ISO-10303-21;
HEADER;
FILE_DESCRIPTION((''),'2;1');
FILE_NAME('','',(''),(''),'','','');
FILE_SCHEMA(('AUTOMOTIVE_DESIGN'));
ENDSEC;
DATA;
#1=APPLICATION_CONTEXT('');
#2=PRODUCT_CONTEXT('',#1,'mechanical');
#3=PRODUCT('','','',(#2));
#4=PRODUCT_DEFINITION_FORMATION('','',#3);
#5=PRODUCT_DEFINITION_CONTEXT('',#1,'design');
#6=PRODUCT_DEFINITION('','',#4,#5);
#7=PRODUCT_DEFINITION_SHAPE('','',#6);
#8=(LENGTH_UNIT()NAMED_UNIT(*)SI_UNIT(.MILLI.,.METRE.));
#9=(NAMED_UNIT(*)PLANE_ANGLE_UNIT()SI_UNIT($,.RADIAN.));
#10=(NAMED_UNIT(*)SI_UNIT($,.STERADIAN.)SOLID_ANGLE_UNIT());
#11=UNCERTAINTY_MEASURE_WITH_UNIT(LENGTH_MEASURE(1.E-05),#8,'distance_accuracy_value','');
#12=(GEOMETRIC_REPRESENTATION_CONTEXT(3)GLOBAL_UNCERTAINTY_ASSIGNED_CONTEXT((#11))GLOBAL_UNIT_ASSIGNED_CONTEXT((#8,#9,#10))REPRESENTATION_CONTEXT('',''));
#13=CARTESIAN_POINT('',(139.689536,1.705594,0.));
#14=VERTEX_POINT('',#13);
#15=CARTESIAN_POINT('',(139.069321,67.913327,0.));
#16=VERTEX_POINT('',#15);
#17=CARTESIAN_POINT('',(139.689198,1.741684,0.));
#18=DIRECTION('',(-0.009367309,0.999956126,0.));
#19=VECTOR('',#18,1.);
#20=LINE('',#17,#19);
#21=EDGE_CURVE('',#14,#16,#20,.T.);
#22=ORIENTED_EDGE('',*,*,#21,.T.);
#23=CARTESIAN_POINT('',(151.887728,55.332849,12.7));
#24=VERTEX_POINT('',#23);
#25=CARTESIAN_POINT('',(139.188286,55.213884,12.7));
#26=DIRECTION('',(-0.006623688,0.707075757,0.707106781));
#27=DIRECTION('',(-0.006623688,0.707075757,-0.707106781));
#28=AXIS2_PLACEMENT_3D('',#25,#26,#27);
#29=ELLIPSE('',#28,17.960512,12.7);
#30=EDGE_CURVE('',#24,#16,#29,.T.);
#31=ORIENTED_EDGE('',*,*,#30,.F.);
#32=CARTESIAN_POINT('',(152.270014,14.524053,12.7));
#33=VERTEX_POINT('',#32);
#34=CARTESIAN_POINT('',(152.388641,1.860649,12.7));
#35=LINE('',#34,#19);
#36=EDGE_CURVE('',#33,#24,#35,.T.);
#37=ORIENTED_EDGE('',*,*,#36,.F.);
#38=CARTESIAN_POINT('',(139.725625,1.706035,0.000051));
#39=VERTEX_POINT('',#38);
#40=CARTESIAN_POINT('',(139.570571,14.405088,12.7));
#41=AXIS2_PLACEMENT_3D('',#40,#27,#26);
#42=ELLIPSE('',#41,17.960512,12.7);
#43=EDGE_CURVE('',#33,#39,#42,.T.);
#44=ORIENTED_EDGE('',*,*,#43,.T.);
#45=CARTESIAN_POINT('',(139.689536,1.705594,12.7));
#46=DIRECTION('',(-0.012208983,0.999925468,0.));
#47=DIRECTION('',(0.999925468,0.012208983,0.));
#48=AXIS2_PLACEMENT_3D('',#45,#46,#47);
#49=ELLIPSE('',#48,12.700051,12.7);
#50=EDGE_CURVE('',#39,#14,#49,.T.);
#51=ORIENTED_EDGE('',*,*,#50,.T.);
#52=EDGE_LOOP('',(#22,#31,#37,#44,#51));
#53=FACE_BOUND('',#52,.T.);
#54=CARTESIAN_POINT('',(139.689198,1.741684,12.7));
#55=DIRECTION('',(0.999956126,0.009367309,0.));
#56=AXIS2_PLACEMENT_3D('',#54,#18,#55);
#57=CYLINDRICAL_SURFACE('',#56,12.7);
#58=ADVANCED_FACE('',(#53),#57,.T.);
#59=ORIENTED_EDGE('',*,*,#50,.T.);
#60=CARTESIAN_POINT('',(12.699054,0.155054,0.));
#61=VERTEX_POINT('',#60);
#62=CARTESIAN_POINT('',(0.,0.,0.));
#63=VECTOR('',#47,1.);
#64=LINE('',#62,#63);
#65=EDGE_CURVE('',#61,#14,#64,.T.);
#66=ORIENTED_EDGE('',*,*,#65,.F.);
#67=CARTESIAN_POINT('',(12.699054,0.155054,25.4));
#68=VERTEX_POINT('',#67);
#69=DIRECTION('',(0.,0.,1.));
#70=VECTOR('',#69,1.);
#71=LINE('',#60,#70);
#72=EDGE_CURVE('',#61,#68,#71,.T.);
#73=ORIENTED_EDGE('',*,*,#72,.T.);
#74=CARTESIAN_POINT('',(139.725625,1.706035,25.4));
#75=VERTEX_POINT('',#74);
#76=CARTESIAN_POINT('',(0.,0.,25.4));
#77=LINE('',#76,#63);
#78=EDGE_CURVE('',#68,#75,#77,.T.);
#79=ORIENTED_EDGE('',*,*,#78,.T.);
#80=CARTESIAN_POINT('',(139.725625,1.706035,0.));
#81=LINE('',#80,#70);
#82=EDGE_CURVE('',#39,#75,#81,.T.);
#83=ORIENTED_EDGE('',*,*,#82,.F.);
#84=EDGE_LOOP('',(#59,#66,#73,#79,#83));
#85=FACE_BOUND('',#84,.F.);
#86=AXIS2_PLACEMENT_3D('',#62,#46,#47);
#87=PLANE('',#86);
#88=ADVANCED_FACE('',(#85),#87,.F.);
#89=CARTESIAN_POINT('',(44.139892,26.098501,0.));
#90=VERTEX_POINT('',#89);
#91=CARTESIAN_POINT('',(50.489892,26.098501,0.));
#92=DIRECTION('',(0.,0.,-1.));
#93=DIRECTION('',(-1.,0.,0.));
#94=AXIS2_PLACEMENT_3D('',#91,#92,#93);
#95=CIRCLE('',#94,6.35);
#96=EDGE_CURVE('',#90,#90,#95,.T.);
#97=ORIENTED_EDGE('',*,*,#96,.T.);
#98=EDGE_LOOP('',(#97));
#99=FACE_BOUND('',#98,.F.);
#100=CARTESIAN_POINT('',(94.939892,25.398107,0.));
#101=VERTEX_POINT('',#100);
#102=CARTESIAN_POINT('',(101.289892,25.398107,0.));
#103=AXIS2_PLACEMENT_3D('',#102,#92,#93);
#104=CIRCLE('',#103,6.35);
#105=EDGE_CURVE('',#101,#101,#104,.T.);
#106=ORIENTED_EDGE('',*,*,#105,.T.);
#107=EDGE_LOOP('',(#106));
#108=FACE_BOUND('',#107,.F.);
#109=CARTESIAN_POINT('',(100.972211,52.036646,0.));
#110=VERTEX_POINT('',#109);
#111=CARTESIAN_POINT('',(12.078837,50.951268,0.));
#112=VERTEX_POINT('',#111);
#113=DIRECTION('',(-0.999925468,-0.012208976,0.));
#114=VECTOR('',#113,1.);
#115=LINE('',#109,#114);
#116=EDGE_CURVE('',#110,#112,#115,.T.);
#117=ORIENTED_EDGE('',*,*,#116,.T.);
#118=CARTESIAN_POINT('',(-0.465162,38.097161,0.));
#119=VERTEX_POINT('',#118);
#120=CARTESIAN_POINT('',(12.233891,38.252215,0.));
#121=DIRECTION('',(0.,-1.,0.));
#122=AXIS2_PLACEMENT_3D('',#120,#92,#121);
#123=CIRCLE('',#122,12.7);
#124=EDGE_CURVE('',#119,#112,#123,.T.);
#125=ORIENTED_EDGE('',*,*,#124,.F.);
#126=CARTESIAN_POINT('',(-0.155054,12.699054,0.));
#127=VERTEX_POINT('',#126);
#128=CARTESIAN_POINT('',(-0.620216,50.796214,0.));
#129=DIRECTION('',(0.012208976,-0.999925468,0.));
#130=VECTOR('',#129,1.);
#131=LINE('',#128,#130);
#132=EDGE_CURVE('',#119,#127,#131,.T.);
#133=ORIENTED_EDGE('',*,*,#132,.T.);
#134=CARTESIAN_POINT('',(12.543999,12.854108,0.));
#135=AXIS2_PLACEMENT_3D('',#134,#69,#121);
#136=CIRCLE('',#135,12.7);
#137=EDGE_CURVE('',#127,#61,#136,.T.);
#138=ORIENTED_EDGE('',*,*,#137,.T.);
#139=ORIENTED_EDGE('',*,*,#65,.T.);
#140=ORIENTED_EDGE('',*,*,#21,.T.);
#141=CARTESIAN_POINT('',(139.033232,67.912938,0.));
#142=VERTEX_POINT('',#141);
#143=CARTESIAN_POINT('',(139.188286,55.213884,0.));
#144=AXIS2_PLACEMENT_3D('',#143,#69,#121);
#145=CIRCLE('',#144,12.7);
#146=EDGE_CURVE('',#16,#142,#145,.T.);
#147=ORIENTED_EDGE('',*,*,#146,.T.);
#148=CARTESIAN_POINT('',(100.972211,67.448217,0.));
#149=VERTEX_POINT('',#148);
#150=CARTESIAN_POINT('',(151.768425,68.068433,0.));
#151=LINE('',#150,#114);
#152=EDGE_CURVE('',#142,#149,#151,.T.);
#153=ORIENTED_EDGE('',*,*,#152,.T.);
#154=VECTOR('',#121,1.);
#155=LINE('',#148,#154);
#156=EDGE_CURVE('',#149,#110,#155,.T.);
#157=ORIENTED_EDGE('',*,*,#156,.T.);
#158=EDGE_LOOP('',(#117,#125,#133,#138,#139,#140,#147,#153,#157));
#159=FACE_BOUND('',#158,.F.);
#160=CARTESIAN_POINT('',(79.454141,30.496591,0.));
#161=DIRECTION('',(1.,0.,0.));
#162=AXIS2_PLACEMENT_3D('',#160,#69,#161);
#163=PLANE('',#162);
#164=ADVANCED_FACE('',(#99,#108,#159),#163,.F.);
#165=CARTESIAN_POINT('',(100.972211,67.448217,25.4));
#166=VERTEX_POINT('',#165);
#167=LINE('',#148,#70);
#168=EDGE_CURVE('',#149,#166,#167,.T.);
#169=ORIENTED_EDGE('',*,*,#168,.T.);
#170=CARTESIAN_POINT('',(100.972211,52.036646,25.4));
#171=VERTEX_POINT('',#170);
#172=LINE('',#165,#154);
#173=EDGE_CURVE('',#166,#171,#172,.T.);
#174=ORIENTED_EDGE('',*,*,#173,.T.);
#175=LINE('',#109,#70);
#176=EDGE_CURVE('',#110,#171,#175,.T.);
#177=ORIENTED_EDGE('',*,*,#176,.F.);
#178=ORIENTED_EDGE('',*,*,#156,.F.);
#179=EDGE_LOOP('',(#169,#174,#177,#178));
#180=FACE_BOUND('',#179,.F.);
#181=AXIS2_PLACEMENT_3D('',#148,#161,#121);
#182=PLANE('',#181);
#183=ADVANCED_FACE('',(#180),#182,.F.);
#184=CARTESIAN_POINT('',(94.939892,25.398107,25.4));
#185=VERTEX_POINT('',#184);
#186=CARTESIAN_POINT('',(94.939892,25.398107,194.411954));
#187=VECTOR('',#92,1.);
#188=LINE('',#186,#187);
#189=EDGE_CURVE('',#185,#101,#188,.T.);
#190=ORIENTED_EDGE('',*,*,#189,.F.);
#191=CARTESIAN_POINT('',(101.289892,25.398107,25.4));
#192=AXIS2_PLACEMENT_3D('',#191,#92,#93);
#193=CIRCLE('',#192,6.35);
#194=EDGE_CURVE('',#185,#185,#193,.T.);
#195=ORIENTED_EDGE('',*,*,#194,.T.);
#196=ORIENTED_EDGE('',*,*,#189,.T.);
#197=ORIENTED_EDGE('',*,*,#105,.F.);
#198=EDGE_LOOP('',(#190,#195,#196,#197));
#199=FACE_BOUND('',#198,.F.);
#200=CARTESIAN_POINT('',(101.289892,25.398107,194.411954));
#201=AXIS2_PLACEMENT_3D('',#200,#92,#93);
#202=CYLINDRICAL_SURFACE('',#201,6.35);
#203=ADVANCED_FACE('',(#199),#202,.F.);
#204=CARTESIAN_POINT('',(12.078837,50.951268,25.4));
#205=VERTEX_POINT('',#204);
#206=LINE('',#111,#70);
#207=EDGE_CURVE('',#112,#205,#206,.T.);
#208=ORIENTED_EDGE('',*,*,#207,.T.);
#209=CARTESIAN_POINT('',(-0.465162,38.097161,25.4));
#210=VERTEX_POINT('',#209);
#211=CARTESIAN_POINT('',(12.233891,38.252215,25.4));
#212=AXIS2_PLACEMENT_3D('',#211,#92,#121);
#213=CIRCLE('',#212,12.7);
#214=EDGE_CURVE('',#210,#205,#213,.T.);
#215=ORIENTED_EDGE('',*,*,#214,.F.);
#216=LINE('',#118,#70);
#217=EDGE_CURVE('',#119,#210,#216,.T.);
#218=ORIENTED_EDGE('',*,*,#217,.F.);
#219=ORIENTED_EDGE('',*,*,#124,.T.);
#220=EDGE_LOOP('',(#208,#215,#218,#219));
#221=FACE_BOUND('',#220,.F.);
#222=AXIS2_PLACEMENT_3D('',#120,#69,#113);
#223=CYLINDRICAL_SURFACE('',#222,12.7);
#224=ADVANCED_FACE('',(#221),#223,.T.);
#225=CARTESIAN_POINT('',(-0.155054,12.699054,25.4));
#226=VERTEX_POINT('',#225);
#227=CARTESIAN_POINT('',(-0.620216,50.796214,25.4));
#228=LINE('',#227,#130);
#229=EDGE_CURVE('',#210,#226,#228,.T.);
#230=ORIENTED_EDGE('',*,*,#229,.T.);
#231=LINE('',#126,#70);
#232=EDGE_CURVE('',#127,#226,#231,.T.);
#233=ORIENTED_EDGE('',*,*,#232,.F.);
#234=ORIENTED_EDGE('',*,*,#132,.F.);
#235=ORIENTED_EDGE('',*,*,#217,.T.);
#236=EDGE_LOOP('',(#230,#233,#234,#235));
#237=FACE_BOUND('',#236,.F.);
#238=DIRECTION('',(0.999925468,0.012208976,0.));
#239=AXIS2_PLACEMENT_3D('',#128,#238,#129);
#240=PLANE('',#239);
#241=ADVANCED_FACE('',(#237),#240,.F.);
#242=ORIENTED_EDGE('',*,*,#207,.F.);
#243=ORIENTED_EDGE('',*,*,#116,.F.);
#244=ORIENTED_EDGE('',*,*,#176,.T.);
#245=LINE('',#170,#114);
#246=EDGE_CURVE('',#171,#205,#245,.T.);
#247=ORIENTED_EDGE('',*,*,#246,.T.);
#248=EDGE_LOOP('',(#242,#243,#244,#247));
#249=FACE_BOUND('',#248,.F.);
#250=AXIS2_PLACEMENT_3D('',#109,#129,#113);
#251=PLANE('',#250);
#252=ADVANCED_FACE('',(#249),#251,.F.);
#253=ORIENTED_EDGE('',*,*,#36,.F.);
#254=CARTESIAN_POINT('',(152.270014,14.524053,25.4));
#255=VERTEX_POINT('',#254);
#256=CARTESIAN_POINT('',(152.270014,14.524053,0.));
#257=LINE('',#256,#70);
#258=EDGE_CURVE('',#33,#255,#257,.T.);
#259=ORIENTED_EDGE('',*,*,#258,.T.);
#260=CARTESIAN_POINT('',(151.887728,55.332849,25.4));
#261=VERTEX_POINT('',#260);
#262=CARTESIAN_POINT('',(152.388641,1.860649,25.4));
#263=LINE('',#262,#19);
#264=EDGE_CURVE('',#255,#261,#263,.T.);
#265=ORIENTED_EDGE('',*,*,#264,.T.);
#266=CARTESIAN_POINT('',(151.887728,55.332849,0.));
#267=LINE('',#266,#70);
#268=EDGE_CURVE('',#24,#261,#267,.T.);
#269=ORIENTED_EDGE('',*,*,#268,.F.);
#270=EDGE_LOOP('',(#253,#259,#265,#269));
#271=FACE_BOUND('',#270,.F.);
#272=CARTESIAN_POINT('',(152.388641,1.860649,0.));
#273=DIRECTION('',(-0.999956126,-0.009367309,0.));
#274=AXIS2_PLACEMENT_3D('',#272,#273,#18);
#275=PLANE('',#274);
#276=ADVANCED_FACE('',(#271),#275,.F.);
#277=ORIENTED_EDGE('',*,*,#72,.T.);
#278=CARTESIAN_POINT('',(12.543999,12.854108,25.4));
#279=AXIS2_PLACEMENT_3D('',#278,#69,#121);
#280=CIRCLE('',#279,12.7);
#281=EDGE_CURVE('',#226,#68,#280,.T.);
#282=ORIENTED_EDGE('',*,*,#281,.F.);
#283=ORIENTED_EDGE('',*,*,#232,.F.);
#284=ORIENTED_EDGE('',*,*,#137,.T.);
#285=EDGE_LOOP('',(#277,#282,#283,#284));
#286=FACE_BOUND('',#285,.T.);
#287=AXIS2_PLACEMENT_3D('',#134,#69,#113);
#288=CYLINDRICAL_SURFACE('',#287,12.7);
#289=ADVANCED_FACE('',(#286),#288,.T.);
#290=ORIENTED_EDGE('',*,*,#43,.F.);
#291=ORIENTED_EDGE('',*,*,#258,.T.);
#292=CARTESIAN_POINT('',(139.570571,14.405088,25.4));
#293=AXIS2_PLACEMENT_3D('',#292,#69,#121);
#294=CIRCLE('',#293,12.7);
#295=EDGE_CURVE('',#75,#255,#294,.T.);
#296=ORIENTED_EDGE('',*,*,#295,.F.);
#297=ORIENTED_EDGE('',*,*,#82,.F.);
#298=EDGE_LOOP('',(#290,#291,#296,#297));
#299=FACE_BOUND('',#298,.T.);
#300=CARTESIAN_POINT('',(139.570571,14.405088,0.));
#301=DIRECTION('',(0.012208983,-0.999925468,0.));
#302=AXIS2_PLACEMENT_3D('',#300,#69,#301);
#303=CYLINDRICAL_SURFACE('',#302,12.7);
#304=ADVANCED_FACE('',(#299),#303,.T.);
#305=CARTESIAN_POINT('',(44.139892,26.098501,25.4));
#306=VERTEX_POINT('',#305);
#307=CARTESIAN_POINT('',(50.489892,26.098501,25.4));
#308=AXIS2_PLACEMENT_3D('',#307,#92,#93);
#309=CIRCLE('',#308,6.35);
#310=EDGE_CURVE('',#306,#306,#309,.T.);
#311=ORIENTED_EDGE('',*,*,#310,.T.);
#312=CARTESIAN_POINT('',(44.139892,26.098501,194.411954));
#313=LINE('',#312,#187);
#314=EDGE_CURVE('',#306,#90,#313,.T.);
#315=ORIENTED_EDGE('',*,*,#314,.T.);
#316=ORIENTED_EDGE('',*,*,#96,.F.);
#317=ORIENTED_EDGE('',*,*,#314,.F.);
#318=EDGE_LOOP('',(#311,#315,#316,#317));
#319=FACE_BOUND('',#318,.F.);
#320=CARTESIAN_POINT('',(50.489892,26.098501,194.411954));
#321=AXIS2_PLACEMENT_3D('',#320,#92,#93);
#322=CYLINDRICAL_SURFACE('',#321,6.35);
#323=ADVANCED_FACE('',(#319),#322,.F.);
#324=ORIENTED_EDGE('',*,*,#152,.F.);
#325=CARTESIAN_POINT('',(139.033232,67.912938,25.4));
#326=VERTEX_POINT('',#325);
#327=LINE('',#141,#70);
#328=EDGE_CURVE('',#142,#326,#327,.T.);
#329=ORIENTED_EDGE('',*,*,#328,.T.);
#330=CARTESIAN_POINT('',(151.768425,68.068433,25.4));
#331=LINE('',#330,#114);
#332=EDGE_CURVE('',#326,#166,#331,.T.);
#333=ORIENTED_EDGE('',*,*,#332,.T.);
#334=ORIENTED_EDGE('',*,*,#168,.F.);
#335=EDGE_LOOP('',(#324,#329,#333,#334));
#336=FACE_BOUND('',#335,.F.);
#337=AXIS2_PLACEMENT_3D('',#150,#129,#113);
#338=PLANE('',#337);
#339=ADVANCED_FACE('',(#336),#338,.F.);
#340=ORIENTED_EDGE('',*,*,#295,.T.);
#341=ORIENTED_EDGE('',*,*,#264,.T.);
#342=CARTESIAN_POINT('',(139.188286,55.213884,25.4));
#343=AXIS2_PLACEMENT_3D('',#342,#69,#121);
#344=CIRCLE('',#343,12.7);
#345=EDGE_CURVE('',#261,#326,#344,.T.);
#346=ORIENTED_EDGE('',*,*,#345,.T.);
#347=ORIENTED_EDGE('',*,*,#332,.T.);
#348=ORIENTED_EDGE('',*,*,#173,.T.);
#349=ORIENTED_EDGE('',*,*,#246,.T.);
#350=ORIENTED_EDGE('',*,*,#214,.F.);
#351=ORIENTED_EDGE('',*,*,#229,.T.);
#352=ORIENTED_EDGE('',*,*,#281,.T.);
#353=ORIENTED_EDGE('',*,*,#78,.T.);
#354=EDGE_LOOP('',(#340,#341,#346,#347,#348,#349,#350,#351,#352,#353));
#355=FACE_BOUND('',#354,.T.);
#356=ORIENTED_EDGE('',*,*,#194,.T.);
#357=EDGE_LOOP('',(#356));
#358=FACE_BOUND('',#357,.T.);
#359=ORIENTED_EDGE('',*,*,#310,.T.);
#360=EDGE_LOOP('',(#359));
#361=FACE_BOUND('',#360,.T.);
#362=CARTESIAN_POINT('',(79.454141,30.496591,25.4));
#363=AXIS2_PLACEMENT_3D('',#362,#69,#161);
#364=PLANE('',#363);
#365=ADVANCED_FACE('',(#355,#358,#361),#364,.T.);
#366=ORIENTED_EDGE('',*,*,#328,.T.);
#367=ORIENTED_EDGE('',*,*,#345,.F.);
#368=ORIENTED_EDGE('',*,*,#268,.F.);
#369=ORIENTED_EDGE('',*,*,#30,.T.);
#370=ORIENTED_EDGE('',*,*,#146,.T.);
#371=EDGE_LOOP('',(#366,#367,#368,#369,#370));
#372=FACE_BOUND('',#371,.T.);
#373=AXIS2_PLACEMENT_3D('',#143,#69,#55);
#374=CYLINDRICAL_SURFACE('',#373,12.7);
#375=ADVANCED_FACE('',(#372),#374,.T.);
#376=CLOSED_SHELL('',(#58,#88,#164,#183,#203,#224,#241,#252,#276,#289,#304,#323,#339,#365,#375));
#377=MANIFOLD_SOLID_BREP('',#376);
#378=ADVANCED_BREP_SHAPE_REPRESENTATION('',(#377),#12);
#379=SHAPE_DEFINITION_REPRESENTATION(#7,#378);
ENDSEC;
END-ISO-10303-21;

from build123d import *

# Parameters (mm, degrees)
F1_DEPTH = 25.4
F2_R     = 12.7
F4_D     = 12.7


with BuildPart() as f1:
    # F0 (on Top) → F1 (new body)
    with BuildSketch(Plane.XY):
        Polygon((-0.620216, 50.796214), (0, 0), (152.388641, 1.860649), (151.768425, 68.068433), (100.972211, 67.448217), (100.972211, 52.036646), align=None)
    extrude(amount=F1_DEPTH)

    # F2
    f2_edges = [f1.edges().sort_by_distance(p)[0] for p in [
        (-0.620216, 50.796214, 12.7),
        (152.078533, 34.964541, 0),
        (152.388641, 1.860649, 12.7),
        (0, 0, 12.7),
        (151.768425, 68.068433, 12.7),
    ]]
    fillet(f2_edges, radius=F2_R)

    # F4 (through all)
    with Locations(Plane.XY.offset(25.4)):
        with Locations((101.289892, 25.398107), (50.489892, 26.098501)):
            Hole(F4_D / 2)


solid = f1.part
